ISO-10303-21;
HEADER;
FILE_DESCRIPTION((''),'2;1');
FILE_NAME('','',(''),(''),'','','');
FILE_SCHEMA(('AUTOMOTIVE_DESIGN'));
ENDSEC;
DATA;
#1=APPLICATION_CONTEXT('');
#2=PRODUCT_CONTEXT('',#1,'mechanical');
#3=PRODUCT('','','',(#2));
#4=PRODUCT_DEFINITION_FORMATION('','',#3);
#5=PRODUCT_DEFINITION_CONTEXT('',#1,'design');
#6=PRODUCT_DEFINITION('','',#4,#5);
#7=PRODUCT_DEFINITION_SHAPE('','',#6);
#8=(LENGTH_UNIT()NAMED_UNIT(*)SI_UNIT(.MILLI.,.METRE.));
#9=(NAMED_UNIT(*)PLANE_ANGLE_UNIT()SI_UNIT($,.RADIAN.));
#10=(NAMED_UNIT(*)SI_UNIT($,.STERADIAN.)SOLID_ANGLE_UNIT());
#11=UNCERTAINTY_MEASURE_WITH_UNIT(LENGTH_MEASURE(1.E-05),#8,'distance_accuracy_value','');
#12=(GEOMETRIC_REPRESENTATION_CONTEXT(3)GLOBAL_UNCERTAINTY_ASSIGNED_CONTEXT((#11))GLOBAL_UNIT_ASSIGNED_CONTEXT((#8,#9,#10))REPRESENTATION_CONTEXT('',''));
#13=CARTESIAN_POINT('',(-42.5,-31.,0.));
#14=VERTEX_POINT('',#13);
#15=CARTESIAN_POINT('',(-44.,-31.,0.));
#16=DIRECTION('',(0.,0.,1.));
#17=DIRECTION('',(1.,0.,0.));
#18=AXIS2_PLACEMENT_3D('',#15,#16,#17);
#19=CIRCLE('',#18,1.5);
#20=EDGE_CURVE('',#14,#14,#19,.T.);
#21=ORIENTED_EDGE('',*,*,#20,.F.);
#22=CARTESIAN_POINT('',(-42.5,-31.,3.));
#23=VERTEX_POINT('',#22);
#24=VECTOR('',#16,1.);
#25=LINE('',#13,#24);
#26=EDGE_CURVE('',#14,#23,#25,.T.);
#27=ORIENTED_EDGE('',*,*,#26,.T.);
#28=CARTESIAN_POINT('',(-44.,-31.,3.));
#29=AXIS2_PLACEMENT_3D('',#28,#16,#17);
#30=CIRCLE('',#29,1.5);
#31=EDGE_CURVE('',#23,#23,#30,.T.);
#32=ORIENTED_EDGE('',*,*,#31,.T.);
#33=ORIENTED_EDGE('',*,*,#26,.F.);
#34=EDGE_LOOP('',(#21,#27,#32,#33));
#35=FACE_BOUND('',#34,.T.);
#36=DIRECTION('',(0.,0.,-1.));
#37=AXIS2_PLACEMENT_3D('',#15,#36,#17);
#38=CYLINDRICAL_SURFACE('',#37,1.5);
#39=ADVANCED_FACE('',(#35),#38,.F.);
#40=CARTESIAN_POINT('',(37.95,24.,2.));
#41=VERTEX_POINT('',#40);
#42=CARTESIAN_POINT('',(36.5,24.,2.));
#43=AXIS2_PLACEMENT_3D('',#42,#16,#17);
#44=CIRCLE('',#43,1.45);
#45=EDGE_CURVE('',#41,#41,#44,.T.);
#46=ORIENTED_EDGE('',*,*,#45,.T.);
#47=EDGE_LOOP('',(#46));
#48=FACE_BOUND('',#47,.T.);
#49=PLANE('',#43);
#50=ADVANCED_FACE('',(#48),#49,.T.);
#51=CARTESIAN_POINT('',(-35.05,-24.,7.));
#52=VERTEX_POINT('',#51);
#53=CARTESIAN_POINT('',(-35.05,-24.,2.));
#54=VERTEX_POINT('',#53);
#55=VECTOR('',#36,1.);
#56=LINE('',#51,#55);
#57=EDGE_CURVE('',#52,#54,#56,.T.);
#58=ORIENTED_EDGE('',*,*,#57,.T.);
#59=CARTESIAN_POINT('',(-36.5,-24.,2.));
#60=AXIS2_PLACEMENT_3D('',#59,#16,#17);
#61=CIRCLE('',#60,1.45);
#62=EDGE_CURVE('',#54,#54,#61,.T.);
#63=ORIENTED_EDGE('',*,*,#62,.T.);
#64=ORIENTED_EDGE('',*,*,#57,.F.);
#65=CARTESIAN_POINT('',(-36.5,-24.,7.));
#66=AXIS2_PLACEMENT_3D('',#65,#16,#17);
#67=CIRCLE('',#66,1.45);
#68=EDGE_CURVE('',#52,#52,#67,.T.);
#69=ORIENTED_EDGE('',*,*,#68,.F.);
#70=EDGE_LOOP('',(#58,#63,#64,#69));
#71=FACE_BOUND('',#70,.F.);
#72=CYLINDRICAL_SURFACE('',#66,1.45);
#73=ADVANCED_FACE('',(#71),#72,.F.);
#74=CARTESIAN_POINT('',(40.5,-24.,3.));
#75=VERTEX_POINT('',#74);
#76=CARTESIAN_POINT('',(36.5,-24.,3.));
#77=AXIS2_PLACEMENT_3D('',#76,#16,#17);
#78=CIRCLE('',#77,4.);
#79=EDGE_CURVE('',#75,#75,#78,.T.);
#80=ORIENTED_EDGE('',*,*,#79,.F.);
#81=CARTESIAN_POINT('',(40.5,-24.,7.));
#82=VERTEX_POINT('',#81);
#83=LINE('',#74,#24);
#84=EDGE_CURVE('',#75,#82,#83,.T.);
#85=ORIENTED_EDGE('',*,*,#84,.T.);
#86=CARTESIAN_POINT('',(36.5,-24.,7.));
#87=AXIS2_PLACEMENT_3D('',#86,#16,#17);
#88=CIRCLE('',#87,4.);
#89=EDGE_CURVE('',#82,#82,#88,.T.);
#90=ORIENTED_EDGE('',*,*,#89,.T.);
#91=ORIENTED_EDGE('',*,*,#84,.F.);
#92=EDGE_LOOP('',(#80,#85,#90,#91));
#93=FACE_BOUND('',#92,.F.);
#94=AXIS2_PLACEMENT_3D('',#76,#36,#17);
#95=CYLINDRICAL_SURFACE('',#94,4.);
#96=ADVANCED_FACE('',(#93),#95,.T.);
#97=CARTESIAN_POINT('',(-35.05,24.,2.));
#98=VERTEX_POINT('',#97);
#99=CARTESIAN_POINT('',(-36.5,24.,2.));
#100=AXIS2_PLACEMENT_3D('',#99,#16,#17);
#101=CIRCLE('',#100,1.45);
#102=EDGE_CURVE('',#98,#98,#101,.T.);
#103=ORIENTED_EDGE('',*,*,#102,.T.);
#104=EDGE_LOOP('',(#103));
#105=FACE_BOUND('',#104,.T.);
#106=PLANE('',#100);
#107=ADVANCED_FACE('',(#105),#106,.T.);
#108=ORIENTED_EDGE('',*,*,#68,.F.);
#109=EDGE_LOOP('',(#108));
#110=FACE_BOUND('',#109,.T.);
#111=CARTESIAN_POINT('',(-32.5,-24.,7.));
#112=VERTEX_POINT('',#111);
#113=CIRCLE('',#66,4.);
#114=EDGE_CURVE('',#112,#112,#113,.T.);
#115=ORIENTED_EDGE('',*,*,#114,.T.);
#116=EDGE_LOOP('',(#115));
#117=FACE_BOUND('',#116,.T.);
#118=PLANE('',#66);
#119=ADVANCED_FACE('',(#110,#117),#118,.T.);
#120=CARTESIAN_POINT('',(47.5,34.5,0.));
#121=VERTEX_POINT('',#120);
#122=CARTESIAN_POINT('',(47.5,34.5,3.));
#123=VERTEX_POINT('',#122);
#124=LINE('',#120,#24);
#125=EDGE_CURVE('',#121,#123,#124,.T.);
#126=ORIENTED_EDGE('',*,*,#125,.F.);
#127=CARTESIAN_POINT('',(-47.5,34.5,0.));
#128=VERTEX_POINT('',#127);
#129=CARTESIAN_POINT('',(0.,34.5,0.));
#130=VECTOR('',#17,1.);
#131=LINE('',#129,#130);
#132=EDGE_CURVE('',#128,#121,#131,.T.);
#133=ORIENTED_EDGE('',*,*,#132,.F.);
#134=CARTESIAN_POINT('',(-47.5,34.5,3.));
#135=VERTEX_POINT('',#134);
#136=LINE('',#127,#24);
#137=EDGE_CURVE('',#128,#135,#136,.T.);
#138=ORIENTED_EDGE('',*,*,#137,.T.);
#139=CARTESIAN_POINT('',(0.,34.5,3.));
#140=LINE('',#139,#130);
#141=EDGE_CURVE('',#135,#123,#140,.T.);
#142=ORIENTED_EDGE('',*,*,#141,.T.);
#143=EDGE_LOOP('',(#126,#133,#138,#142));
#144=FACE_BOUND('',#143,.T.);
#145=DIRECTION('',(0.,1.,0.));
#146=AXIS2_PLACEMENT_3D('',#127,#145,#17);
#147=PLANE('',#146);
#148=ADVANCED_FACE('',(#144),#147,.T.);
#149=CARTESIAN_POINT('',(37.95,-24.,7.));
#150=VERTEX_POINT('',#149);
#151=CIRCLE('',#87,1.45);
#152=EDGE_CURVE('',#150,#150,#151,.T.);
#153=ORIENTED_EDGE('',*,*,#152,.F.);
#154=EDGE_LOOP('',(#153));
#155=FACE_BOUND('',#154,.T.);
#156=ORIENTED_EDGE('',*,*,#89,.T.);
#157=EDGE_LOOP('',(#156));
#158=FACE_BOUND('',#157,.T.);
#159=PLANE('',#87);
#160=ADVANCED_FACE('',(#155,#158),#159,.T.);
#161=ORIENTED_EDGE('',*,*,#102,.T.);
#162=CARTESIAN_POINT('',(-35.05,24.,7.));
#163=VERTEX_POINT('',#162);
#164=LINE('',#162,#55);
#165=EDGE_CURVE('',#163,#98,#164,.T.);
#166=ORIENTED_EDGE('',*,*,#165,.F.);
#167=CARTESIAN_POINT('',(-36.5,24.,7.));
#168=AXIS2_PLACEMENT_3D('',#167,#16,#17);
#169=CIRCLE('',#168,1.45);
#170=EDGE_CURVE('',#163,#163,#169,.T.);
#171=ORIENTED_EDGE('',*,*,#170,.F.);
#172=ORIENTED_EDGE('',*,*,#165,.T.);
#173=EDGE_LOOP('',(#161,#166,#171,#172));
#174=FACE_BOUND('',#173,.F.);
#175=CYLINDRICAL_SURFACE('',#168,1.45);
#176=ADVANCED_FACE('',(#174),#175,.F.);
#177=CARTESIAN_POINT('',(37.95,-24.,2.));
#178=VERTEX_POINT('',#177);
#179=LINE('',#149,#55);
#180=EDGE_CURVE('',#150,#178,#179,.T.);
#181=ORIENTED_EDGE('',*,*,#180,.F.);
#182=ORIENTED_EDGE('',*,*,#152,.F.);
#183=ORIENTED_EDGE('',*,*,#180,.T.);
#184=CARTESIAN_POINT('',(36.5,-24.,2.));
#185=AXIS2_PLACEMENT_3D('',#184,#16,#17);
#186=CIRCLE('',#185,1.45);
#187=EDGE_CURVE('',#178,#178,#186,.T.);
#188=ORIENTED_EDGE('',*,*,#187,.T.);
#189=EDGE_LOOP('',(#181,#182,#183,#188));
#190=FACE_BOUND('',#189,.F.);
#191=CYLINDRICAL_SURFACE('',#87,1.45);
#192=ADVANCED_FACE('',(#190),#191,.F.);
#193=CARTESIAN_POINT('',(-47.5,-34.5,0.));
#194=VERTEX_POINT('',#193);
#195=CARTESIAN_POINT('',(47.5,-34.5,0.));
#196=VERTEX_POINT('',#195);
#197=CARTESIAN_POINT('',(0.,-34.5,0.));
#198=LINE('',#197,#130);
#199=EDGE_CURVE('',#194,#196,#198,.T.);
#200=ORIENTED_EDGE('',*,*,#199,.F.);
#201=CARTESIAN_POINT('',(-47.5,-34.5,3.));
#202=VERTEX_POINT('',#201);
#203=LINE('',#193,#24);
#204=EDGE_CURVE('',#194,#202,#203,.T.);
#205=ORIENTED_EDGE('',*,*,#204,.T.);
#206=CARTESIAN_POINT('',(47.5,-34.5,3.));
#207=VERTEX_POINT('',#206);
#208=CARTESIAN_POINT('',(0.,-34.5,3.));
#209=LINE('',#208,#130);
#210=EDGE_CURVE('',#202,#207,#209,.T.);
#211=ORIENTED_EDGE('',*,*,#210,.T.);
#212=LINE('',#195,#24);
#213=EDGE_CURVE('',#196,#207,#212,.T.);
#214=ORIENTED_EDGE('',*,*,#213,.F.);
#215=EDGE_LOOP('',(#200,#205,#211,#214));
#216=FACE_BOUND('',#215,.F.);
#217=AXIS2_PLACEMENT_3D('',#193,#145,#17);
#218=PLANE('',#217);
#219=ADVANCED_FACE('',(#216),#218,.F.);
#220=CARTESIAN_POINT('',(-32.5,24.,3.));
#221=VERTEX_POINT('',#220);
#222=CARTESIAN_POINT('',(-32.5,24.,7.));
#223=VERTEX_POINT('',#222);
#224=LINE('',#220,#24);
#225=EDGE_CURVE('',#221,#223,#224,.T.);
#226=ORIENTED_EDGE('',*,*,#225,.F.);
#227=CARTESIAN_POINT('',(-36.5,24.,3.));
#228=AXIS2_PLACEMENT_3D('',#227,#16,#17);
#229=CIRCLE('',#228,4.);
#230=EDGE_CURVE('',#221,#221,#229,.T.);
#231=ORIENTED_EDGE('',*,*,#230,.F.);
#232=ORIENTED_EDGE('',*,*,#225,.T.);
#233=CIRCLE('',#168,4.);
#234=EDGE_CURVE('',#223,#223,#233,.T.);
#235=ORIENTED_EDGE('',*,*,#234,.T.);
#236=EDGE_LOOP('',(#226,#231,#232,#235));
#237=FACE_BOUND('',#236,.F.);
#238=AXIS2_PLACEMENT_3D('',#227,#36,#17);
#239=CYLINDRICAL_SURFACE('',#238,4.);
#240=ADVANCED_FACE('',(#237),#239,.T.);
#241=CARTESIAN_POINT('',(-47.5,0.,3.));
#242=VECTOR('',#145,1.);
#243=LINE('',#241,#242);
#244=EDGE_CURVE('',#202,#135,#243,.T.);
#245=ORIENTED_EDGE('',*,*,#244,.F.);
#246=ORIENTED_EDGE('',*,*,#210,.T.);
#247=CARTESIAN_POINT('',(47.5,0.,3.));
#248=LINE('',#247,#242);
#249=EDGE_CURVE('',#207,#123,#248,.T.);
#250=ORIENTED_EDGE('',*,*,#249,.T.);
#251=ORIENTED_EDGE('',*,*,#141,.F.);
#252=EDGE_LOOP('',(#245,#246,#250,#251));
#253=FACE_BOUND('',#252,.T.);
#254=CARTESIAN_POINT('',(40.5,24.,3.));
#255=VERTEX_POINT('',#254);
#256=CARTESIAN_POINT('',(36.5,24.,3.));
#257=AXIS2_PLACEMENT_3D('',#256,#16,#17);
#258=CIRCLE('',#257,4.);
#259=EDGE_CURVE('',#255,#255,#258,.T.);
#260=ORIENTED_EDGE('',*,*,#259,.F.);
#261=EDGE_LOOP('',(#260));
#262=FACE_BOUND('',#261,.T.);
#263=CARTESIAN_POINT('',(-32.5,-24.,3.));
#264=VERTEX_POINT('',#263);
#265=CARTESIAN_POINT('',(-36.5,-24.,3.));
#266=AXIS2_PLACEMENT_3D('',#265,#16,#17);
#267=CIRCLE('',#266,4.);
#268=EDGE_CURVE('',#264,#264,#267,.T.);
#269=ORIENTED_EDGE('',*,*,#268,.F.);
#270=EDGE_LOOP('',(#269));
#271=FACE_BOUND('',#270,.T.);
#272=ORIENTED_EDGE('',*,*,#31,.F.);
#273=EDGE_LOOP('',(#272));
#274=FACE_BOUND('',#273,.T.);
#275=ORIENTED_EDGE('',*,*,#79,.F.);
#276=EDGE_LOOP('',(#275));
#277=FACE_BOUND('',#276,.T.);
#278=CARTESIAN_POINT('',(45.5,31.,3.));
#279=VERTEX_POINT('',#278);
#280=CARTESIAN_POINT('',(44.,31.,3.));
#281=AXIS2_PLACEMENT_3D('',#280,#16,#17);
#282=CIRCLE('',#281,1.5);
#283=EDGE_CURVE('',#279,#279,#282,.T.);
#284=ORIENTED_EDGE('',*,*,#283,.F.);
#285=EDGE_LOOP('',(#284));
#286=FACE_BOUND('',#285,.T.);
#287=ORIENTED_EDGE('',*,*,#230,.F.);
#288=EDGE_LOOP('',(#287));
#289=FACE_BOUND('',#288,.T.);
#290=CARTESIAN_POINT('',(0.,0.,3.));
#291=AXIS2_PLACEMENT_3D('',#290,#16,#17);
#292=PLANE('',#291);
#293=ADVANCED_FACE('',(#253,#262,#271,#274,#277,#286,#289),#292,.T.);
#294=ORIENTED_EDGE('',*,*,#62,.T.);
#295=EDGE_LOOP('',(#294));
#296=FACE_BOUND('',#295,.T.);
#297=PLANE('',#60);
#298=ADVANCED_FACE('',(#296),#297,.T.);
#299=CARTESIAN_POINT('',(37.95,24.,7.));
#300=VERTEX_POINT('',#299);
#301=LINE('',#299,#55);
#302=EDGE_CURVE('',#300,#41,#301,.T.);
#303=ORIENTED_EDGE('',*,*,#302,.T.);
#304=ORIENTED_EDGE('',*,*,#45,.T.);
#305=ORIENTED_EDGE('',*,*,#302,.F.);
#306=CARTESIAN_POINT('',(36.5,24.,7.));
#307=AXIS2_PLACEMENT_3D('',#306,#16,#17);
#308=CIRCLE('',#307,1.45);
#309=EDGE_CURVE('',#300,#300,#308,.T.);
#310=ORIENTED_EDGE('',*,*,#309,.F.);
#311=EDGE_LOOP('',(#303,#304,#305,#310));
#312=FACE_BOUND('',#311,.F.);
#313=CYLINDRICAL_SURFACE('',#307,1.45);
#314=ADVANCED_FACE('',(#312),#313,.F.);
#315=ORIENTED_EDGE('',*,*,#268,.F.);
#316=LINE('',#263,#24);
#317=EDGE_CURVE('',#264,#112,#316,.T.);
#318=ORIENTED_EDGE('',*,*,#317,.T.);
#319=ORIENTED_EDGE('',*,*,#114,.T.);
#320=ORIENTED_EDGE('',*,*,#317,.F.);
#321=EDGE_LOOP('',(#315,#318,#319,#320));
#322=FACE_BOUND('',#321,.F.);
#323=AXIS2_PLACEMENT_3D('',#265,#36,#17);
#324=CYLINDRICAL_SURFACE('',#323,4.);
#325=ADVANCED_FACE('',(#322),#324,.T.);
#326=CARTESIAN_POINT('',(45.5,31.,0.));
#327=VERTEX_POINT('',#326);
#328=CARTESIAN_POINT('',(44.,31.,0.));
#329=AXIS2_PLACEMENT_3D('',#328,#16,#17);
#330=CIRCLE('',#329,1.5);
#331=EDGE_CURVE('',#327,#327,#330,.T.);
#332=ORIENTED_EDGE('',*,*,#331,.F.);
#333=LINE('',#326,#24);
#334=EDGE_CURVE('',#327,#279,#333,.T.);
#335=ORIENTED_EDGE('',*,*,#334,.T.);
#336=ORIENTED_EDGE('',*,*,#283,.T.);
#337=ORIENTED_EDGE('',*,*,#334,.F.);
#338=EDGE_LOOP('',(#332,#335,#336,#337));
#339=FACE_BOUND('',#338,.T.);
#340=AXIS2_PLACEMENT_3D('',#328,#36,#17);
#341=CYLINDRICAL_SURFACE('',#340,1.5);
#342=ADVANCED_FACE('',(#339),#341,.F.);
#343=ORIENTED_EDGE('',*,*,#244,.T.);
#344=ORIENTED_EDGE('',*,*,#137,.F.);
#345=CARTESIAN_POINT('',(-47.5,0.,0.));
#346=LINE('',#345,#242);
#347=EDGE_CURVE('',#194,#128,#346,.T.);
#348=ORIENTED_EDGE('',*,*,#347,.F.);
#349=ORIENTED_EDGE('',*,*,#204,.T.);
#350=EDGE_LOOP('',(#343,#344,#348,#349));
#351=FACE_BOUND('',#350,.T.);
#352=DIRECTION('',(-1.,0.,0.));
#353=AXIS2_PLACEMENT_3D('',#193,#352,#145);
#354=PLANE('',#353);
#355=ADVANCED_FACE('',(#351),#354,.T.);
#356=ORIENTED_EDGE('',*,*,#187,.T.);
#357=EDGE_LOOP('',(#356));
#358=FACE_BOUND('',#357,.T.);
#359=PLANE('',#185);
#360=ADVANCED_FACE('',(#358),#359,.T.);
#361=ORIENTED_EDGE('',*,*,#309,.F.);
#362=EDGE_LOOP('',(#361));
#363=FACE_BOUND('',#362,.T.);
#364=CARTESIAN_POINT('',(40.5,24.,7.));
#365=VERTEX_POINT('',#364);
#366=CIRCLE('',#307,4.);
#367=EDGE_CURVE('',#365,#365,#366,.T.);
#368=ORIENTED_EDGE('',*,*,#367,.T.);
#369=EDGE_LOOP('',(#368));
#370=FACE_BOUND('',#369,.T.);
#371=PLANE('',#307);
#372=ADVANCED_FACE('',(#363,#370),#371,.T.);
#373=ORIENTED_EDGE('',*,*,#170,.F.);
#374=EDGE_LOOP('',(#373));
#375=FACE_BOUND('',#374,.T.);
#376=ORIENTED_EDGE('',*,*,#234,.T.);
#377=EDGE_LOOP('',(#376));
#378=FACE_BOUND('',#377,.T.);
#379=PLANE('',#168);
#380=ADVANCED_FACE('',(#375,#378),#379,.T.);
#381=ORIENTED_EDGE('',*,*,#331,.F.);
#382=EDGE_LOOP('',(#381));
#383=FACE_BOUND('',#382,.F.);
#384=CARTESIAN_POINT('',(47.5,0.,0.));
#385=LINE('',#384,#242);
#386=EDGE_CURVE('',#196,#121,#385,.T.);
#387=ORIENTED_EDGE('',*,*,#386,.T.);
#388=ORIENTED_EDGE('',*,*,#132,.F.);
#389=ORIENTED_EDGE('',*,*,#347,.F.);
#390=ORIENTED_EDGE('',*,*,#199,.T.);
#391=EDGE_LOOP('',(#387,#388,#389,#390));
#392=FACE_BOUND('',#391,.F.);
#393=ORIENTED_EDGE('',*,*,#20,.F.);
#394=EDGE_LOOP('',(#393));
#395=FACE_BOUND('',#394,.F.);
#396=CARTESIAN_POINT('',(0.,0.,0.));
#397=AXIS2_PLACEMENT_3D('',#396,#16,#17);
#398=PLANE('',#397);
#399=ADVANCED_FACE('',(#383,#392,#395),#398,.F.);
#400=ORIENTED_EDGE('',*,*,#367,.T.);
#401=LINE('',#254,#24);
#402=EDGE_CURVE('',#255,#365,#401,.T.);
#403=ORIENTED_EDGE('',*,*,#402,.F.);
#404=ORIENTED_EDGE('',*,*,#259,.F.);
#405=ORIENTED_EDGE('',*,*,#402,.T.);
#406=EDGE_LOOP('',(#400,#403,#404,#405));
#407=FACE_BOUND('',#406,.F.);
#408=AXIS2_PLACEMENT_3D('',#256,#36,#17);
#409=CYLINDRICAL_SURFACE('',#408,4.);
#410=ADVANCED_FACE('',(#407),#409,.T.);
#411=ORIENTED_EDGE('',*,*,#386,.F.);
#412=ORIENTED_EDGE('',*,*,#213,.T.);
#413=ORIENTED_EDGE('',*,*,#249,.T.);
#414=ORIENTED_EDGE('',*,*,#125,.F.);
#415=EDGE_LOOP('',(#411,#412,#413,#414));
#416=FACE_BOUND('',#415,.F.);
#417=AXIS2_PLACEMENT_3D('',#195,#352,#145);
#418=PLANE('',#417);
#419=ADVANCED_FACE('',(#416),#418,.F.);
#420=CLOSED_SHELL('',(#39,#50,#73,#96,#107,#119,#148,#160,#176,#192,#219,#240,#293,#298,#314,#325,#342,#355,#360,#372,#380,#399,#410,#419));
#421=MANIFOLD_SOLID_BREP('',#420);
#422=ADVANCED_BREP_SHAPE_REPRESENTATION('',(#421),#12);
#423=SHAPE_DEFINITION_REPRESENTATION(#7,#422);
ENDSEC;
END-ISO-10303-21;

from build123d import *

# Parameters (mm, degrees)
SKETCH_W     = 95
SKETCH_H     = 69
SKETCH_R     = 1.5
PAD_DEPTH    = 3
SKETCH001_R  = 4
PAD001_DEPTH = 4
SKETCH002_R  = 1.45
POCKET_DEPTH = 5


with BuildPart() as part:
    # Sketch → Pad (new body)
    with BuildSketch(Plane.XY):
        Rectangle(SKETCH_W, SKETCH_H)
        with Locations((-44, -31)):
            Circle(SKETCH_R, mode=Mode.SUBTRACT)
        with Locations((44, 31)):
            Circle(SKETCH_R, mode=Mode.SUBTRACT)
    extrude(amount=PAD_DEPTH)

    # Sketch001 (on Face8 of Pad) → Pad001 (join)
    with BuildSketch(Plane.XY.offset(3)):
        with Locations((-36.5, 24)):
            Circle(SKETCH001_R)
        with Locations((-36.5, -24)):
            Circle(SKETCH001_R)
        with Locations((36.5, -24)):
            Circle(SKETCH001_R)
        with Locations((36.5, 24)):
            Circle(SKETCH001_R)
    extrude(amount=PAD001_DEPTH)

    # Sketch002 (on Face14 of Pad001) → Pocket (cut)
    with BuildSketch(Plane.XY.offset(7)):
        with Locations((-36.5, 24)):
            Circle(SKETCH002_R)
        with Locations((-36.5, -24)):
            Circle(SKETCH002_R)
        with Locations((36.5, 24)):
            Circle(SKETCH002_R)
        with Locations((36.5, -24)):
            Circle(SKETCH002_R)
    extrude(amount=-POCKET_DEPTH, mode=Mode.SUBTRACT)


solid = part.part
